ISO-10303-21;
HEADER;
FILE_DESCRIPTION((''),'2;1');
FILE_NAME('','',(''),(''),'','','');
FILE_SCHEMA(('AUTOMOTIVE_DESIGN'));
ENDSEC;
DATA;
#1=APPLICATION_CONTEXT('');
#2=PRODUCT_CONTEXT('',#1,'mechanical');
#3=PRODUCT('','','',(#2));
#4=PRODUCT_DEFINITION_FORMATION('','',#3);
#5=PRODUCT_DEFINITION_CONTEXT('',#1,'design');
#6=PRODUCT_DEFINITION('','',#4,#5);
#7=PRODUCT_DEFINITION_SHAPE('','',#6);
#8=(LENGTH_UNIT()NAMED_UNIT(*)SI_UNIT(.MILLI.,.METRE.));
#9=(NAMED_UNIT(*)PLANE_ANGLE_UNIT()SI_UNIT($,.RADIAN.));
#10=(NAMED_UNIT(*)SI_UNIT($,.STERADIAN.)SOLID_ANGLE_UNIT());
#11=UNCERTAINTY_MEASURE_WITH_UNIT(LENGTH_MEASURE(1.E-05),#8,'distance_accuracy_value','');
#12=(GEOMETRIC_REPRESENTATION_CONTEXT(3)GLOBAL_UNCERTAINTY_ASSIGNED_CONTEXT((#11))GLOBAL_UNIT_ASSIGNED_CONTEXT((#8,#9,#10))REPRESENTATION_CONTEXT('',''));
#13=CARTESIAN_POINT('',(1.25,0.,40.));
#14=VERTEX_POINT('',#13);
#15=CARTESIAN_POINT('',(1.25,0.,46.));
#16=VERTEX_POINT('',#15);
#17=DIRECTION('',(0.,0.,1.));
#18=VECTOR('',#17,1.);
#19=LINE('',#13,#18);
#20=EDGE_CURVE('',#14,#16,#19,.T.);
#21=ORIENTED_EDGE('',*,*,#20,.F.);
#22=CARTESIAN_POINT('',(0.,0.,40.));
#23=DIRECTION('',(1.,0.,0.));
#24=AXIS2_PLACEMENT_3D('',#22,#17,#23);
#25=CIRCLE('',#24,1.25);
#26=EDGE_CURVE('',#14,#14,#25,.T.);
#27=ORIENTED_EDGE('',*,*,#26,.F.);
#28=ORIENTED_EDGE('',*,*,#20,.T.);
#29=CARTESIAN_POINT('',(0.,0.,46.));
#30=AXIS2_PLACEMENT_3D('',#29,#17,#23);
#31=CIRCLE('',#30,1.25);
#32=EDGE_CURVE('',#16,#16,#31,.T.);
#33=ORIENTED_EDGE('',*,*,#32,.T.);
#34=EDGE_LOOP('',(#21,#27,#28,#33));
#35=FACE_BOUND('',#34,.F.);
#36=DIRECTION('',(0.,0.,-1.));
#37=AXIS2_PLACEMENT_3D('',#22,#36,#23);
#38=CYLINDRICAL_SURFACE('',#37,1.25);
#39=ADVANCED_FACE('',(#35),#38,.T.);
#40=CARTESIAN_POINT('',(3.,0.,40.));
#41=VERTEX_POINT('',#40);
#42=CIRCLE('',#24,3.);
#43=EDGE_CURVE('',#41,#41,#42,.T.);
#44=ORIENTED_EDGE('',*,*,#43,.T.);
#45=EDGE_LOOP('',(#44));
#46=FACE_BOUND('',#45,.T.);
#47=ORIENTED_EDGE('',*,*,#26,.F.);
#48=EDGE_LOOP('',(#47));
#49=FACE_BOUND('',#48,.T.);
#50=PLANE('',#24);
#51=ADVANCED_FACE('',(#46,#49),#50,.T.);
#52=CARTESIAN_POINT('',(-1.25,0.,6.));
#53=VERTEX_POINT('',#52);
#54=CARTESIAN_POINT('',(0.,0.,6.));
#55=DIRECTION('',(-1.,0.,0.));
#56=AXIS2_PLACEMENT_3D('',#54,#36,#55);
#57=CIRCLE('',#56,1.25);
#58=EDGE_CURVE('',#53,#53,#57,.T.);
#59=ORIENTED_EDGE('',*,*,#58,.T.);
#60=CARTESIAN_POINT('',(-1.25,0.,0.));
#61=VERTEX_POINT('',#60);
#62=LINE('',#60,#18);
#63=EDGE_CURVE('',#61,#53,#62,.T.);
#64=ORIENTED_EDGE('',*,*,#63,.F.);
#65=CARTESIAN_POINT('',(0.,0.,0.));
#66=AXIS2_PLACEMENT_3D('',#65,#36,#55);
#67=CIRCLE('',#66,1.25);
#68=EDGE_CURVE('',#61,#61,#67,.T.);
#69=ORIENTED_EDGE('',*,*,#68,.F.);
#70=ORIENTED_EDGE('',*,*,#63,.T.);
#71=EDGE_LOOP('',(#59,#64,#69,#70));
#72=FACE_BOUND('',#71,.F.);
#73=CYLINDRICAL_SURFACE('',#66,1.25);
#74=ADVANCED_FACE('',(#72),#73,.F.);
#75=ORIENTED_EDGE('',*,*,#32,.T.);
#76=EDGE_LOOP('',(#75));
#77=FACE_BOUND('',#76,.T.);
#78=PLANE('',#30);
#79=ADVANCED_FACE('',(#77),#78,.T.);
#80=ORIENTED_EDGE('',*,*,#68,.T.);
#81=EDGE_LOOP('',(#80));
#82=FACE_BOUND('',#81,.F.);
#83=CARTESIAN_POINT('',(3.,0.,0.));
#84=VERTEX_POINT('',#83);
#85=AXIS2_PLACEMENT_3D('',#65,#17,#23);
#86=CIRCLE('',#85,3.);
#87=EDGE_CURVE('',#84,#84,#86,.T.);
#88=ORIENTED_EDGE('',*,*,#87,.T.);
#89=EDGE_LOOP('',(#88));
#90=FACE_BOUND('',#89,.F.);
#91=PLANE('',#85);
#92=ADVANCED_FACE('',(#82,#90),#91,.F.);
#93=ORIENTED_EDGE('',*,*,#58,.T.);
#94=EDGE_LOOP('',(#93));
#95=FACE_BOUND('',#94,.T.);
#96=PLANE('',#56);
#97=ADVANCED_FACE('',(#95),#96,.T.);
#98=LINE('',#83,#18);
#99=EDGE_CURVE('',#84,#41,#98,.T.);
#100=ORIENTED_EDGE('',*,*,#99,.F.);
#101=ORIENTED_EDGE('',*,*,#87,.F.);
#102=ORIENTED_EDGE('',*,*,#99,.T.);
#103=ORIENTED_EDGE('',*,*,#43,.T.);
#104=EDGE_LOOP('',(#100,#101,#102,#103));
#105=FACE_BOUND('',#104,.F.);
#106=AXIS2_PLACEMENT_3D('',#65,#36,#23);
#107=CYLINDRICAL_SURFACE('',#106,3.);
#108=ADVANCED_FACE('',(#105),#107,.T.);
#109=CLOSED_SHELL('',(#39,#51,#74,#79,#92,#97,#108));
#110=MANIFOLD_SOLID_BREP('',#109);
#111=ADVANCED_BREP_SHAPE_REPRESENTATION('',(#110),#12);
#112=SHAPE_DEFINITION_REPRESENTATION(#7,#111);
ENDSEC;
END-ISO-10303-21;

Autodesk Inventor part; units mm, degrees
ref_plane "YZ Plane" through (0, 0, 0) normal (1, 0, 0) x (0, 1, 0)
ref_plane "XZ Plane" through (0, 0, 0) normal (0, 1, 0) x (-1, 0, 0)
ref_plane "XY Plane" through (0, 0, 0) normal (0, 0, 1) x (1, 0, 0)
sketch "スケッチ1" plane through (0, 0, 0) normal (0, 0, 1) x (1, 0, 0)
  circle A0 centre (0, 0) radius 3
  dimension "d0" = 6
extrude "押し出し1" add sketch "スケッチ1" along normal blind 45
sketch "スケッチ2" plane through (0, 0, 45) normal (0, 0, 1) x (1, 0, 0)
  circle A0 centre (0, 0) radius 3 projected
  circle A1 centre (0, 0) radius 1.25
  dimension "d3" = 2.5
extrude "押し出し2" cut sketch "スケッチ2" against normal blind 6 contours A1
sketch "スケッチ3" plane through (0, 0, 0) normal (0, 0, -1) x (-1, 0, 0)
  circle A0 centre (0, 0) radius 3 projected
  circle A1 centre (0, 0) radius 1.25
  dimension "d6" = 2.5
extrude "押し出し3" cut sketch "スケッチ3" against normal blind 6 contours A1
sketch "スケッチ4" plane through (0, 0, 45) normal (0, 0, 1) x (1, 0, 0)
  circle A0 centre (0, 0) radius 1.25 projected
  circle A1 centre (0, 0) radius 3 projected
extrude "押し出し4" cut sketch "スケッチ4" against normal blind 5
sketch "スケッチ5" plane through (0, 0, 40) normal (0, 0, 1) x (1, 0, 0)
  circle A0 centre (0, 0) radius 1.25 projected
extrude "押し出し5" cut sketch "スケッチ5" against normal blind 6
sketch "スケッチ6" plane through (0, 0, 40) normal (0, 0, 1) x (1, 0, 0)
  circle A0 centre (0, 0) radius 1.25 projected
extrude "押し出し6" add sketch "スケッチ6" along normal mid plane 12
properties part number "φ6スペーサ　L40　おねめじ" material "Aluminum-6061"
